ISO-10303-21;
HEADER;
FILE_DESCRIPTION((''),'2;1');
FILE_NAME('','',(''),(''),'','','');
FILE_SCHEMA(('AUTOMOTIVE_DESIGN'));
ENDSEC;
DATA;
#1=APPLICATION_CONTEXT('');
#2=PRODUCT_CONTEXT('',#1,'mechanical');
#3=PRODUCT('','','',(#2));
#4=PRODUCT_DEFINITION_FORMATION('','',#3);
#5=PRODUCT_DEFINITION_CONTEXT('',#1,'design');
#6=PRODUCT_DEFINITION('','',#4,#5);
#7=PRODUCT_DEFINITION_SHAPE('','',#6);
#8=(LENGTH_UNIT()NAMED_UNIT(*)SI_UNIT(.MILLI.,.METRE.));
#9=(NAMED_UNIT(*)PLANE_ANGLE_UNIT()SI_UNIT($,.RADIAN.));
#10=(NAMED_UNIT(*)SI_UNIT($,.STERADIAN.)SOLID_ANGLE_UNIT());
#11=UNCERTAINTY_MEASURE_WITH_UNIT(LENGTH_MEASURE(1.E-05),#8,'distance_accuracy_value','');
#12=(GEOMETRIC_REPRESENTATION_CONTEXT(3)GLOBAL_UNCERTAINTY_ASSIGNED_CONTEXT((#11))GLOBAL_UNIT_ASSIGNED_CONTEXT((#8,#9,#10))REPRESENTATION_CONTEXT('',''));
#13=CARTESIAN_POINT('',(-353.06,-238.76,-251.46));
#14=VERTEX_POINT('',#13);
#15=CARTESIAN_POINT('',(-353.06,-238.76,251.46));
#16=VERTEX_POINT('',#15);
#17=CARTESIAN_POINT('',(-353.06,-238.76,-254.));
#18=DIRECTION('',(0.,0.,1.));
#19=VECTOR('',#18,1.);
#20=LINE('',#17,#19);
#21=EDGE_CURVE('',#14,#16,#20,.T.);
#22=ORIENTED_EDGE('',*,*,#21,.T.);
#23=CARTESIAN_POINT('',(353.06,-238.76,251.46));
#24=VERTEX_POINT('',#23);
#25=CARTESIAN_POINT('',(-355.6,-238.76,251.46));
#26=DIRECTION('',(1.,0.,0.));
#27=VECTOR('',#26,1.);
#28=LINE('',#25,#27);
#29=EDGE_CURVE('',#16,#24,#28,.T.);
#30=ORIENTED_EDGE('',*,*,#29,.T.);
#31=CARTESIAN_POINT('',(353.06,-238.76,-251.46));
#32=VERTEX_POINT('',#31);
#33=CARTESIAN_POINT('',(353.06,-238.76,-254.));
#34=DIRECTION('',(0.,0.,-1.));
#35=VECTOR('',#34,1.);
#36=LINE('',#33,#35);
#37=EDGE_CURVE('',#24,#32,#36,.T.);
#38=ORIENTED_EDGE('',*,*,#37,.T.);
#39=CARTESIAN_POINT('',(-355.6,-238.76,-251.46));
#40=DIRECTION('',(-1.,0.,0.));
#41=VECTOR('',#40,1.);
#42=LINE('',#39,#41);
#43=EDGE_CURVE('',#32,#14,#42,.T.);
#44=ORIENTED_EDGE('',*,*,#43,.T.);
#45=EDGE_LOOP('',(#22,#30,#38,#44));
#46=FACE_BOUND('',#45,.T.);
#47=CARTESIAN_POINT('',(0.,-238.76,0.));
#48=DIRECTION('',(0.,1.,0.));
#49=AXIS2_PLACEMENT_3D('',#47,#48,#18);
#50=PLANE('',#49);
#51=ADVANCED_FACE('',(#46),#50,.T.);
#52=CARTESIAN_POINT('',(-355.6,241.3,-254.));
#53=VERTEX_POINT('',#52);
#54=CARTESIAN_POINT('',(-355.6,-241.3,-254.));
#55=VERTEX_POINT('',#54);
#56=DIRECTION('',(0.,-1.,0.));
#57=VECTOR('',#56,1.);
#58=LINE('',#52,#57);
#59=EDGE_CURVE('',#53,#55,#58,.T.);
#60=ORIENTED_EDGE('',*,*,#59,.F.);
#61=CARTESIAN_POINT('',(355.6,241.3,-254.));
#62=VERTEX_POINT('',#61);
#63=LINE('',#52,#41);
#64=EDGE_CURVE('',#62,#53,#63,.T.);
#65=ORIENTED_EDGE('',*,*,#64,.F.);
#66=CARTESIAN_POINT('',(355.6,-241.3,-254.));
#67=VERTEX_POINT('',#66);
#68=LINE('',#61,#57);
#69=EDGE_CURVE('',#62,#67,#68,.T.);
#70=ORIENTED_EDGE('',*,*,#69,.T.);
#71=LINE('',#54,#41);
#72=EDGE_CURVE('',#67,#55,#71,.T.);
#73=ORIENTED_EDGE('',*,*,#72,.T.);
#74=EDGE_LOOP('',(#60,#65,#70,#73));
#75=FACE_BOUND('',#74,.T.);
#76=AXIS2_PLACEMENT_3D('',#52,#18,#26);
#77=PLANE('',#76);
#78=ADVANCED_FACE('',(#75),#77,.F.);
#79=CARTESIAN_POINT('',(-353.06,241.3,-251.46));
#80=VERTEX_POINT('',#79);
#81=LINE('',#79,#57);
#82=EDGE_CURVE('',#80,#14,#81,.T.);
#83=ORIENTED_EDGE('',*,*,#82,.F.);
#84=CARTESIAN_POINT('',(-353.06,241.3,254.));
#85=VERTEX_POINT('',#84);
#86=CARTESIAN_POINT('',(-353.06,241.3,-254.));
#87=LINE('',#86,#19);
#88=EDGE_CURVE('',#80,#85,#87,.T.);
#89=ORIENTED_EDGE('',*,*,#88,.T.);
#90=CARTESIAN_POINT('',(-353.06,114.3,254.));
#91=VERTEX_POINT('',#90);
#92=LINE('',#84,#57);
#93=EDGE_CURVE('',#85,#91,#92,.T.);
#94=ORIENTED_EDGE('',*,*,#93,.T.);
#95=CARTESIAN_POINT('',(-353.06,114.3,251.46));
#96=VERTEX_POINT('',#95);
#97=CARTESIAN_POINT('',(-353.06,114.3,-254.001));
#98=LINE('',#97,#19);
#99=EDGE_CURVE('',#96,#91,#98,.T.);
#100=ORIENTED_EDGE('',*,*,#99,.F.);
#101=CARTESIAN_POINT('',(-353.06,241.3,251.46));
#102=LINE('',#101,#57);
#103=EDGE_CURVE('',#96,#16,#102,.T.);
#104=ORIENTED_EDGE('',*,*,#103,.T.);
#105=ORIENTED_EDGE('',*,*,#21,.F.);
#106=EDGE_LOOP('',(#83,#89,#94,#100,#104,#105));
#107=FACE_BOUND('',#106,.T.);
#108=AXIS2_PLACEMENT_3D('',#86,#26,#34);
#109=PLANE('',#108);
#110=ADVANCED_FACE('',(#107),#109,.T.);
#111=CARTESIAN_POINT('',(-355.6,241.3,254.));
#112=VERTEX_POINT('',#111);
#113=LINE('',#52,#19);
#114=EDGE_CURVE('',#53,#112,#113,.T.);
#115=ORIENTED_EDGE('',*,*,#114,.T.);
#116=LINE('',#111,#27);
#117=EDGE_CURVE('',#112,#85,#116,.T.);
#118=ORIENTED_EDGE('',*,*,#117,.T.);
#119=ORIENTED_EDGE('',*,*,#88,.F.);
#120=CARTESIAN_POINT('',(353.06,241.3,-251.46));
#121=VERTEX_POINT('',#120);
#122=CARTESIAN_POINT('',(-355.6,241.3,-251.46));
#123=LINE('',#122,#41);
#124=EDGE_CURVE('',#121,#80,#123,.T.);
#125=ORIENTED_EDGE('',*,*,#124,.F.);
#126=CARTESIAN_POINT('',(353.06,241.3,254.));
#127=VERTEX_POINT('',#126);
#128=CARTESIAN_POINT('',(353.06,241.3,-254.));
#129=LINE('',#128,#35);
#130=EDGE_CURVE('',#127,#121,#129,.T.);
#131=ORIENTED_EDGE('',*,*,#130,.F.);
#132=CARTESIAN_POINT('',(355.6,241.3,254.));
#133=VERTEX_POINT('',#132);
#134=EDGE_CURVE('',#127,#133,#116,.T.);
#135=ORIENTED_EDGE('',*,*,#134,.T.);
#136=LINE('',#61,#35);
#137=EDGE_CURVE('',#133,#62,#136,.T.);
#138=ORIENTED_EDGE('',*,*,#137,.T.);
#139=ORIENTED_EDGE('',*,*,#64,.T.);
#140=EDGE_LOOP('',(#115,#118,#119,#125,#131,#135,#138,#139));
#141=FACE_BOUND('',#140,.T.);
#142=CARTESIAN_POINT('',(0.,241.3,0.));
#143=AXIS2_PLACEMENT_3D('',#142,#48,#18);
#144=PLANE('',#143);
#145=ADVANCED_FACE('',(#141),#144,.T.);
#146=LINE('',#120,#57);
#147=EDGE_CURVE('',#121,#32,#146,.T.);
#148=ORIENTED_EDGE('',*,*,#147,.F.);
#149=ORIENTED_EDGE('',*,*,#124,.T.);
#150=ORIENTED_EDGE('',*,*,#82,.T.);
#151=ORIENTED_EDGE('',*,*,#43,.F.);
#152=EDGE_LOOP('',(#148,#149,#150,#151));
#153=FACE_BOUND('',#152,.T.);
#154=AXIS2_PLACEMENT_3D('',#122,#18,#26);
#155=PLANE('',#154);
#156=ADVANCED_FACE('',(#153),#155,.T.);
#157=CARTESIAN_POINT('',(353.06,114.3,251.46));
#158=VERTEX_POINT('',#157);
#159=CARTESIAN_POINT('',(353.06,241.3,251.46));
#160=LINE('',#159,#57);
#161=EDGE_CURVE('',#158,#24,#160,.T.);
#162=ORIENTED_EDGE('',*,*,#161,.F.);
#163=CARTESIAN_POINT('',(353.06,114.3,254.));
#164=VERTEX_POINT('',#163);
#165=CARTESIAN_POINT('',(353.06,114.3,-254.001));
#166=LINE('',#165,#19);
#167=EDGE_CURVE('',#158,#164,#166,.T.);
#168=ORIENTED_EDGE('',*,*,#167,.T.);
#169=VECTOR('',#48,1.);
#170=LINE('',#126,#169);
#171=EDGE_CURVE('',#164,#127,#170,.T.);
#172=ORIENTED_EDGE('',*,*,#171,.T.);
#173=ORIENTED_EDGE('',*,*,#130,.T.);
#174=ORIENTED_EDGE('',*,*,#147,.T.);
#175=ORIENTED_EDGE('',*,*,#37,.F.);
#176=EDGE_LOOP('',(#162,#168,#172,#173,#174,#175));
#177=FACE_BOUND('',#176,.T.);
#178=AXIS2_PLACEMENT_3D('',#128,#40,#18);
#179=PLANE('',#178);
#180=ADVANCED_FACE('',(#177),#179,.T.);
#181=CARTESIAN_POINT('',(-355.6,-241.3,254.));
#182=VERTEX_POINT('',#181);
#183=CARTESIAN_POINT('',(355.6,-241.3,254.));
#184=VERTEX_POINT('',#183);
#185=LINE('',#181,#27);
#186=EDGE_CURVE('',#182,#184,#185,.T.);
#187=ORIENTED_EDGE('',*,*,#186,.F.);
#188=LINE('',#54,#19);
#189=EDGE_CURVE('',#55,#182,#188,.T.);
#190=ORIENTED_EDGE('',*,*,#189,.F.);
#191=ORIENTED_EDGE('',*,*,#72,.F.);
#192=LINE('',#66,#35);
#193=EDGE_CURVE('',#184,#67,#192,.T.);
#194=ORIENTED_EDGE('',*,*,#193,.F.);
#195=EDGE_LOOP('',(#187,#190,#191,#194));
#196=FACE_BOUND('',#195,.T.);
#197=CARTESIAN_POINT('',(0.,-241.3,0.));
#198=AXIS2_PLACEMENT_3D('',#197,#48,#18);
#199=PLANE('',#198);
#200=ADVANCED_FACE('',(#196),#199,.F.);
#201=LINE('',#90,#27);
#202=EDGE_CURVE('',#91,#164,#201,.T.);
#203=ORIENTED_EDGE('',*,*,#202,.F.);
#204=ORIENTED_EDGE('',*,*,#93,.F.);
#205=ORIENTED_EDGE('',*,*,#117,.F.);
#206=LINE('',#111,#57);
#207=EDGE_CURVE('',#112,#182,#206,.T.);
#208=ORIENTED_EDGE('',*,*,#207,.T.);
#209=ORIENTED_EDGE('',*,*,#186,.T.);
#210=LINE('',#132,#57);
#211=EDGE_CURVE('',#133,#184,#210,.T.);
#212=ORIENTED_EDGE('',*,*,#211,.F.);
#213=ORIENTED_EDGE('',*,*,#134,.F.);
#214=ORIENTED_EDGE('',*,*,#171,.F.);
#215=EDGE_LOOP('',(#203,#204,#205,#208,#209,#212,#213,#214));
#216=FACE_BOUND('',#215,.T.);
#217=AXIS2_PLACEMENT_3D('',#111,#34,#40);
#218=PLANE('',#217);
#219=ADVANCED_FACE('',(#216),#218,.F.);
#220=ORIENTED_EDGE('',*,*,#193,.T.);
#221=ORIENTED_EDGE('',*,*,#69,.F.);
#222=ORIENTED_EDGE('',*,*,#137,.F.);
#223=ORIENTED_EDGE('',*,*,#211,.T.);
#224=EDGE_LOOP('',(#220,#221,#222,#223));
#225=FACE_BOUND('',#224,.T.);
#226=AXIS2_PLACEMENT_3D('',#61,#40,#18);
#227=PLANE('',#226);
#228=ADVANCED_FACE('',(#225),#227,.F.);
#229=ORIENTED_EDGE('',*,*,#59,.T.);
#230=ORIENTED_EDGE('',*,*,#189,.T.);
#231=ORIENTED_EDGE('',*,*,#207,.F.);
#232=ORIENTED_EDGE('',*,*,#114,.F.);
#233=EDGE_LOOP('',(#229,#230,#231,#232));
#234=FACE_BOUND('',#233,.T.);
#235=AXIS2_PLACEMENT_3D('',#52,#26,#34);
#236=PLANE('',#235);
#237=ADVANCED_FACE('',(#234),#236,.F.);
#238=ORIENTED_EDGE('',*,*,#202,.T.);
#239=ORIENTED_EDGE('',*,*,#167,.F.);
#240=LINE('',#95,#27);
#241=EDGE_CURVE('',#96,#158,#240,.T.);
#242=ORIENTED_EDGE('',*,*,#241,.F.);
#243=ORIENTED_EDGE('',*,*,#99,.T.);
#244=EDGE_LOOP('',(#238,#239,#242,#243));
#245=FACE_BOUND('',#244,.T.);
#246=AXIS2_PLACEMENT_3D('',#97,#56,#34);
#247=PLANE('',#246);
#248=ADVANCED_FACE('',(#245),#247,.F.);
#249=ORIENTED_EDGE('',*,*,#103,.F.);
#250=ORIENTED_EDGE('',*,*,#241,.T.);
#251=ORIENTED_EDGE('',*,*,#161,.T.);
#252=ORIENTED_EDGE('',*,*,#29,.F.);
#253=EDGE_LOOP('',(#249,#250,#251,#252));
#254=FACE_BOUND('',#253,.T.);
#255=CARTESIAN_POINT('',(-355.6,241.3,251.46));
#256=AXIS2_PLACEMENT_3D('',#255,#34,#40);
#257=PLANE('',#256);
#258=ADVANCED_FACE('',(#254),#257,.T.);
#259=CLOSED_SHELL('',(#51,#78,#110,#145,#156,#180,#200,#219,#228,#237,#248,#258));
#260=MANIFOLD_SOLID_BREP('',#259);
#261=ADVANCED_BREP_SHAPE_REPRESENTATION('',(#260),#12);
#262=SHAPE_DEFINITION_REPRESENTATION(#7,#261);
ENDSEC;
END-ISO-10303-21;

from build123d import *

# Parameters (mm, degrees)
SKETCH1_W           = 711.2
SKETCH1_H           = 508
BOSS_EXTRUDE1_DEPTH = 241.3
SHELL1_T            = -2.54
CUT_EXTRUDE1_REACH  = 510
SKETCH2_W           = 706.12
SKETCH2_H           = 127


with BuildPart() as part:
    # Sketch1 → Boss-Extrude1 (new body, symmetric)
    with BuildSketch(Plane(origin=(0, 0, 0), x_dir=(1, 0, 0), z_dir=(0, 1, 0))):
        Rectangle(SKETCH1_W, SKETCH1_H)
    extrude(amount=BOSS_EXTRUDE1_DEPTH, both=True)

    # Shell1
    shell1_openings = [part.faces().sort_by_distance(p)[0] for p in [
        (0, 241.3, 0),
    ]]
    offset(amount=SHELL1_T, openings=shell1_openings, kind=Kind.INTERSECTION)

    # Sketch2 → Cut-Extrude1 (cut, up to next)
    with BuildSketch(Plane.XY.offset(254), mode=Mode.PRIVATE) as cut_extrude1_sk1:
        with Locations((0, 177.8)):
            Rectangle(SKETCH2_W, SKETCH2_H)
    cut_extrude1_tool1 = extrude(cut_extrude1_sk1.sketch, amount=-CUT_EXTRUDE1_REACH, mode=Mode.PRIVATE) & part.part
    add(cut_extrude1_tool1.solids().sort_by_distance((0, 177.8, 254))[0], mode=Mode.SUBTRACT)


solid = part.part
